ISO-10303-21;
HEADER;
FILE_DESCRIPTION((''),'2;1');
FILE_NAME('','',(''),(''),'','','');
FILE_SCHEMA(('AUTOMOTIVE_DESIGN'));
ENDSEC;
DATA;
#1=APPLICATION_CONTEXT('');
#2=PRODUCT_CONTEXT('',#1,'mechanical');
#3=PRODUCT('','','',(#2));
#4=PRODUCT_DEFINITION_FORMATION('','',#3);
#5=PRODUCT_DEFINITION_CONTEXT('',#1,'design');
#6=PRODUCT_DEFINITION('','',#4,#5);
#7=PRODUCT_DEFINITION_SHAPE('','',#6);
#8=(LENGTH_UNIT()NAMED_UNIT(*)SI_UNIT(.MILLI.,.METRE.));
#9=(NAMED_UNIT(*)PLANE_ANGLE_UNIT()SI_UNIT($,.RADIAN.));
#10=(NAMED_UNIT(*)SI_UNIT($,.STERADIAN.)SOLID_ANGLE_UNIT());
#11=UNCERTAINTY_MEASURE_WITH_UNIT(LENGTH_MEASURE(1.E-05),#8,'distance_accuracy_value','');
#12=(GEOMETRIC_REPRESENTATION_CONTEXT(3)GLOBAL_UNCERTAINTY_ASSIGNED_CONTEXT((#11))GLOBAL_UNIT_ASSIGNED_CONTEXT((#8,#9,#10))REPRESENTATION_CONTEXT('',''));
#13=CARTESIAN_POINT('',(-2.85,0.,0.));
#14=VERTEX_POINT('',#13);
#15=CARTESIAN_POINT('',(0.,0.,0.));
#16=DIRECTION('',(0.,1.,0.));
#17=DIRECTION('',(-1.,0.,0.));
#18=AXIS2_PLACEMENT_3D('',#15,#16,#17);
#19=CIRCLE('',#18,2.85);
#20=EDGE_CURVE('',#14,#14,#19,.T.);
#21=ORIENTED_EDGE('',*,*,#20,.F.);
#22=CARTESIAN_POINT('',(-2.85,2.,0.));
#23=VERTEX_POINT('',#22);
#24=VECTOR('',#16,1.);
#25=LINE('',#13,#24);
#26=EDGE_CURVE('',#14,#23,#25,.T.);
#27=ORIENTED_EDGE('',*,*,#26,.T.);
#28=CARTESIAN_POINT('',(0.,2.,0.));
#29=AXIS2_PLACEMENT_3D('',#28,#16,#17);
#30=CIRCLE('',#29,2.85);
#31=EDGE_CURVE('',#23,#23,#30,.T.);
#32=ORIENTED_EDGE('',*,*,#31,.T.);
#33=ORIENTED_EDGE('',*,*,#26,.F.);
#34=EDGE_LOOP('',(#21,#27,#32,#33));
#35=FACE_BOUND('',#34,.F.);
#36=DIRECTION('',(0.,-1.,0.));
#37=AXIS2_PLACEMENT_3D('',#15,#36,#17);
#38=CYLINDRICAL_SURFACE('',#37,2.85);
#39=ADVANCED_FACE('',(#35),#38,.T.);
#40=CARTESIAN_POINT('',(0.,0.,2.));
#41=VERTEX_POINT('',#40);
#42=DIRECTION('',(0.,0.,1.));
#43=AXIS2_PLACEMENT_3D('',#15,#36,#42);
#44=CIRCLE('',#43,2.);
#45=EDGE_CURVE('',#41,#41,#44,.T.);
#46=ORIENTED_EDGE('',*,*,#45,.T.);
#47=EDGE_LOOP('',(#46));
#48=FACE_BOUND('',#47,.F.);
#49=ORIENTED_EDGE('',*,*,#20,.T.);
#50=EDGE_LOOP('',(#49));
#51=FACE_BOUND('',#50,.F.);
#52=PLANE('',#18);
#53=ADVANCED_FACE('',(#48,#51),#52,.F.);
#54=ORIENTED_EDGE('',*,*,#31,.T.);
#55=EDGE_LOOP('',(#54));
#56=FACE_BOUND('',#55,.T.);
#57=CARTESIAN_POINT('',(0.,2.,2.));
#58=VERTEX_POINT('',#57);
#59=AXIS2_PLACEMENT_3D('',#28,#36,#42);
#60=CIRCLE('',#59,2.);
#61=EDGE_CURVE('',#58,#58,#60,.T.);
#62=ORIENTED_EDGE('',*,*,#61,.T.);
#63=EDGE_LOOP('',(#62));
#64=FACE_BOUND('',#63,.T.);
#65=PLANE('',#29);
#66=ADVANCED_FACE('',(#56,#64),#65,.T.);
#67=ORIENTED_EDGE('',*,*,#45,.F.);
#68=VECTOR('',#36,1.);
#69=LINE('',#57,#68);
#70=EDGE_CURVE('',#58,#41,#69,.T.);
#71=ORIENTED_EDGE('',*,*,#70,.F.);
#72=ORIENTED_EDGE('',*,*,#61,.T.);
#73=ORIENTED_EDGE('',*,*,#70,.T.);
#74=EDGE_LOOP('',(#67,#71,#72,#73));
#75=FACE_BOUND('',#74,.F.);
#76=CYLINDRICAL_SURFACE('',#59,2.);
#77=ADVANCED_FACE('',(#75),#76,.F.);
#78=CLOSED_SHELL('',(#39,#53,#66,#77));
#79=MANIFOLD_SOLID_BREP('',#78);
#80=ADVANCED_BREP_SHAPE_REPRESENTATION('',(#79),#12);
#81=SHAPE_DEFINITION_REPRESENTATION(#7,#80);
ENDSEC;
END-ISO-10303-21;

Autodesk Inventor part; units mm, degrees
ref_plane "YZ Plane" through (0, 0, 0) normal (1, 0, 0) x (0, 1, 0)
ref_plane "XZ Plane" through (0, 0, 0) normal (0, 1, 0) x (-1, 0, 0)
ref_plane "XY Plane" through (0, 0, 0) normal (0, 0, 1) x (1, 0, 0)
sketch "スケッチ1" plane through (0, 0, 0) normal (0, 1, 0) x (-1, 0, 0)
  circle A0 centre (0, 0) radius 2.85
  dimension "d0" = 5.7
extrude "押し出し1" add sketch "スケッチ1" along normal blind 2
sketch "スケッチ4" plane through (0, 2, 0) normal (0, 1, 0) x (1, 0, 0)
  point P0 (0, 0)
  point P1 (0, 0)
hole "穴1" at (0, 2, 0) direction (0, -1, 0) diameter 4 end through all
properties part number "piniongear_19"
